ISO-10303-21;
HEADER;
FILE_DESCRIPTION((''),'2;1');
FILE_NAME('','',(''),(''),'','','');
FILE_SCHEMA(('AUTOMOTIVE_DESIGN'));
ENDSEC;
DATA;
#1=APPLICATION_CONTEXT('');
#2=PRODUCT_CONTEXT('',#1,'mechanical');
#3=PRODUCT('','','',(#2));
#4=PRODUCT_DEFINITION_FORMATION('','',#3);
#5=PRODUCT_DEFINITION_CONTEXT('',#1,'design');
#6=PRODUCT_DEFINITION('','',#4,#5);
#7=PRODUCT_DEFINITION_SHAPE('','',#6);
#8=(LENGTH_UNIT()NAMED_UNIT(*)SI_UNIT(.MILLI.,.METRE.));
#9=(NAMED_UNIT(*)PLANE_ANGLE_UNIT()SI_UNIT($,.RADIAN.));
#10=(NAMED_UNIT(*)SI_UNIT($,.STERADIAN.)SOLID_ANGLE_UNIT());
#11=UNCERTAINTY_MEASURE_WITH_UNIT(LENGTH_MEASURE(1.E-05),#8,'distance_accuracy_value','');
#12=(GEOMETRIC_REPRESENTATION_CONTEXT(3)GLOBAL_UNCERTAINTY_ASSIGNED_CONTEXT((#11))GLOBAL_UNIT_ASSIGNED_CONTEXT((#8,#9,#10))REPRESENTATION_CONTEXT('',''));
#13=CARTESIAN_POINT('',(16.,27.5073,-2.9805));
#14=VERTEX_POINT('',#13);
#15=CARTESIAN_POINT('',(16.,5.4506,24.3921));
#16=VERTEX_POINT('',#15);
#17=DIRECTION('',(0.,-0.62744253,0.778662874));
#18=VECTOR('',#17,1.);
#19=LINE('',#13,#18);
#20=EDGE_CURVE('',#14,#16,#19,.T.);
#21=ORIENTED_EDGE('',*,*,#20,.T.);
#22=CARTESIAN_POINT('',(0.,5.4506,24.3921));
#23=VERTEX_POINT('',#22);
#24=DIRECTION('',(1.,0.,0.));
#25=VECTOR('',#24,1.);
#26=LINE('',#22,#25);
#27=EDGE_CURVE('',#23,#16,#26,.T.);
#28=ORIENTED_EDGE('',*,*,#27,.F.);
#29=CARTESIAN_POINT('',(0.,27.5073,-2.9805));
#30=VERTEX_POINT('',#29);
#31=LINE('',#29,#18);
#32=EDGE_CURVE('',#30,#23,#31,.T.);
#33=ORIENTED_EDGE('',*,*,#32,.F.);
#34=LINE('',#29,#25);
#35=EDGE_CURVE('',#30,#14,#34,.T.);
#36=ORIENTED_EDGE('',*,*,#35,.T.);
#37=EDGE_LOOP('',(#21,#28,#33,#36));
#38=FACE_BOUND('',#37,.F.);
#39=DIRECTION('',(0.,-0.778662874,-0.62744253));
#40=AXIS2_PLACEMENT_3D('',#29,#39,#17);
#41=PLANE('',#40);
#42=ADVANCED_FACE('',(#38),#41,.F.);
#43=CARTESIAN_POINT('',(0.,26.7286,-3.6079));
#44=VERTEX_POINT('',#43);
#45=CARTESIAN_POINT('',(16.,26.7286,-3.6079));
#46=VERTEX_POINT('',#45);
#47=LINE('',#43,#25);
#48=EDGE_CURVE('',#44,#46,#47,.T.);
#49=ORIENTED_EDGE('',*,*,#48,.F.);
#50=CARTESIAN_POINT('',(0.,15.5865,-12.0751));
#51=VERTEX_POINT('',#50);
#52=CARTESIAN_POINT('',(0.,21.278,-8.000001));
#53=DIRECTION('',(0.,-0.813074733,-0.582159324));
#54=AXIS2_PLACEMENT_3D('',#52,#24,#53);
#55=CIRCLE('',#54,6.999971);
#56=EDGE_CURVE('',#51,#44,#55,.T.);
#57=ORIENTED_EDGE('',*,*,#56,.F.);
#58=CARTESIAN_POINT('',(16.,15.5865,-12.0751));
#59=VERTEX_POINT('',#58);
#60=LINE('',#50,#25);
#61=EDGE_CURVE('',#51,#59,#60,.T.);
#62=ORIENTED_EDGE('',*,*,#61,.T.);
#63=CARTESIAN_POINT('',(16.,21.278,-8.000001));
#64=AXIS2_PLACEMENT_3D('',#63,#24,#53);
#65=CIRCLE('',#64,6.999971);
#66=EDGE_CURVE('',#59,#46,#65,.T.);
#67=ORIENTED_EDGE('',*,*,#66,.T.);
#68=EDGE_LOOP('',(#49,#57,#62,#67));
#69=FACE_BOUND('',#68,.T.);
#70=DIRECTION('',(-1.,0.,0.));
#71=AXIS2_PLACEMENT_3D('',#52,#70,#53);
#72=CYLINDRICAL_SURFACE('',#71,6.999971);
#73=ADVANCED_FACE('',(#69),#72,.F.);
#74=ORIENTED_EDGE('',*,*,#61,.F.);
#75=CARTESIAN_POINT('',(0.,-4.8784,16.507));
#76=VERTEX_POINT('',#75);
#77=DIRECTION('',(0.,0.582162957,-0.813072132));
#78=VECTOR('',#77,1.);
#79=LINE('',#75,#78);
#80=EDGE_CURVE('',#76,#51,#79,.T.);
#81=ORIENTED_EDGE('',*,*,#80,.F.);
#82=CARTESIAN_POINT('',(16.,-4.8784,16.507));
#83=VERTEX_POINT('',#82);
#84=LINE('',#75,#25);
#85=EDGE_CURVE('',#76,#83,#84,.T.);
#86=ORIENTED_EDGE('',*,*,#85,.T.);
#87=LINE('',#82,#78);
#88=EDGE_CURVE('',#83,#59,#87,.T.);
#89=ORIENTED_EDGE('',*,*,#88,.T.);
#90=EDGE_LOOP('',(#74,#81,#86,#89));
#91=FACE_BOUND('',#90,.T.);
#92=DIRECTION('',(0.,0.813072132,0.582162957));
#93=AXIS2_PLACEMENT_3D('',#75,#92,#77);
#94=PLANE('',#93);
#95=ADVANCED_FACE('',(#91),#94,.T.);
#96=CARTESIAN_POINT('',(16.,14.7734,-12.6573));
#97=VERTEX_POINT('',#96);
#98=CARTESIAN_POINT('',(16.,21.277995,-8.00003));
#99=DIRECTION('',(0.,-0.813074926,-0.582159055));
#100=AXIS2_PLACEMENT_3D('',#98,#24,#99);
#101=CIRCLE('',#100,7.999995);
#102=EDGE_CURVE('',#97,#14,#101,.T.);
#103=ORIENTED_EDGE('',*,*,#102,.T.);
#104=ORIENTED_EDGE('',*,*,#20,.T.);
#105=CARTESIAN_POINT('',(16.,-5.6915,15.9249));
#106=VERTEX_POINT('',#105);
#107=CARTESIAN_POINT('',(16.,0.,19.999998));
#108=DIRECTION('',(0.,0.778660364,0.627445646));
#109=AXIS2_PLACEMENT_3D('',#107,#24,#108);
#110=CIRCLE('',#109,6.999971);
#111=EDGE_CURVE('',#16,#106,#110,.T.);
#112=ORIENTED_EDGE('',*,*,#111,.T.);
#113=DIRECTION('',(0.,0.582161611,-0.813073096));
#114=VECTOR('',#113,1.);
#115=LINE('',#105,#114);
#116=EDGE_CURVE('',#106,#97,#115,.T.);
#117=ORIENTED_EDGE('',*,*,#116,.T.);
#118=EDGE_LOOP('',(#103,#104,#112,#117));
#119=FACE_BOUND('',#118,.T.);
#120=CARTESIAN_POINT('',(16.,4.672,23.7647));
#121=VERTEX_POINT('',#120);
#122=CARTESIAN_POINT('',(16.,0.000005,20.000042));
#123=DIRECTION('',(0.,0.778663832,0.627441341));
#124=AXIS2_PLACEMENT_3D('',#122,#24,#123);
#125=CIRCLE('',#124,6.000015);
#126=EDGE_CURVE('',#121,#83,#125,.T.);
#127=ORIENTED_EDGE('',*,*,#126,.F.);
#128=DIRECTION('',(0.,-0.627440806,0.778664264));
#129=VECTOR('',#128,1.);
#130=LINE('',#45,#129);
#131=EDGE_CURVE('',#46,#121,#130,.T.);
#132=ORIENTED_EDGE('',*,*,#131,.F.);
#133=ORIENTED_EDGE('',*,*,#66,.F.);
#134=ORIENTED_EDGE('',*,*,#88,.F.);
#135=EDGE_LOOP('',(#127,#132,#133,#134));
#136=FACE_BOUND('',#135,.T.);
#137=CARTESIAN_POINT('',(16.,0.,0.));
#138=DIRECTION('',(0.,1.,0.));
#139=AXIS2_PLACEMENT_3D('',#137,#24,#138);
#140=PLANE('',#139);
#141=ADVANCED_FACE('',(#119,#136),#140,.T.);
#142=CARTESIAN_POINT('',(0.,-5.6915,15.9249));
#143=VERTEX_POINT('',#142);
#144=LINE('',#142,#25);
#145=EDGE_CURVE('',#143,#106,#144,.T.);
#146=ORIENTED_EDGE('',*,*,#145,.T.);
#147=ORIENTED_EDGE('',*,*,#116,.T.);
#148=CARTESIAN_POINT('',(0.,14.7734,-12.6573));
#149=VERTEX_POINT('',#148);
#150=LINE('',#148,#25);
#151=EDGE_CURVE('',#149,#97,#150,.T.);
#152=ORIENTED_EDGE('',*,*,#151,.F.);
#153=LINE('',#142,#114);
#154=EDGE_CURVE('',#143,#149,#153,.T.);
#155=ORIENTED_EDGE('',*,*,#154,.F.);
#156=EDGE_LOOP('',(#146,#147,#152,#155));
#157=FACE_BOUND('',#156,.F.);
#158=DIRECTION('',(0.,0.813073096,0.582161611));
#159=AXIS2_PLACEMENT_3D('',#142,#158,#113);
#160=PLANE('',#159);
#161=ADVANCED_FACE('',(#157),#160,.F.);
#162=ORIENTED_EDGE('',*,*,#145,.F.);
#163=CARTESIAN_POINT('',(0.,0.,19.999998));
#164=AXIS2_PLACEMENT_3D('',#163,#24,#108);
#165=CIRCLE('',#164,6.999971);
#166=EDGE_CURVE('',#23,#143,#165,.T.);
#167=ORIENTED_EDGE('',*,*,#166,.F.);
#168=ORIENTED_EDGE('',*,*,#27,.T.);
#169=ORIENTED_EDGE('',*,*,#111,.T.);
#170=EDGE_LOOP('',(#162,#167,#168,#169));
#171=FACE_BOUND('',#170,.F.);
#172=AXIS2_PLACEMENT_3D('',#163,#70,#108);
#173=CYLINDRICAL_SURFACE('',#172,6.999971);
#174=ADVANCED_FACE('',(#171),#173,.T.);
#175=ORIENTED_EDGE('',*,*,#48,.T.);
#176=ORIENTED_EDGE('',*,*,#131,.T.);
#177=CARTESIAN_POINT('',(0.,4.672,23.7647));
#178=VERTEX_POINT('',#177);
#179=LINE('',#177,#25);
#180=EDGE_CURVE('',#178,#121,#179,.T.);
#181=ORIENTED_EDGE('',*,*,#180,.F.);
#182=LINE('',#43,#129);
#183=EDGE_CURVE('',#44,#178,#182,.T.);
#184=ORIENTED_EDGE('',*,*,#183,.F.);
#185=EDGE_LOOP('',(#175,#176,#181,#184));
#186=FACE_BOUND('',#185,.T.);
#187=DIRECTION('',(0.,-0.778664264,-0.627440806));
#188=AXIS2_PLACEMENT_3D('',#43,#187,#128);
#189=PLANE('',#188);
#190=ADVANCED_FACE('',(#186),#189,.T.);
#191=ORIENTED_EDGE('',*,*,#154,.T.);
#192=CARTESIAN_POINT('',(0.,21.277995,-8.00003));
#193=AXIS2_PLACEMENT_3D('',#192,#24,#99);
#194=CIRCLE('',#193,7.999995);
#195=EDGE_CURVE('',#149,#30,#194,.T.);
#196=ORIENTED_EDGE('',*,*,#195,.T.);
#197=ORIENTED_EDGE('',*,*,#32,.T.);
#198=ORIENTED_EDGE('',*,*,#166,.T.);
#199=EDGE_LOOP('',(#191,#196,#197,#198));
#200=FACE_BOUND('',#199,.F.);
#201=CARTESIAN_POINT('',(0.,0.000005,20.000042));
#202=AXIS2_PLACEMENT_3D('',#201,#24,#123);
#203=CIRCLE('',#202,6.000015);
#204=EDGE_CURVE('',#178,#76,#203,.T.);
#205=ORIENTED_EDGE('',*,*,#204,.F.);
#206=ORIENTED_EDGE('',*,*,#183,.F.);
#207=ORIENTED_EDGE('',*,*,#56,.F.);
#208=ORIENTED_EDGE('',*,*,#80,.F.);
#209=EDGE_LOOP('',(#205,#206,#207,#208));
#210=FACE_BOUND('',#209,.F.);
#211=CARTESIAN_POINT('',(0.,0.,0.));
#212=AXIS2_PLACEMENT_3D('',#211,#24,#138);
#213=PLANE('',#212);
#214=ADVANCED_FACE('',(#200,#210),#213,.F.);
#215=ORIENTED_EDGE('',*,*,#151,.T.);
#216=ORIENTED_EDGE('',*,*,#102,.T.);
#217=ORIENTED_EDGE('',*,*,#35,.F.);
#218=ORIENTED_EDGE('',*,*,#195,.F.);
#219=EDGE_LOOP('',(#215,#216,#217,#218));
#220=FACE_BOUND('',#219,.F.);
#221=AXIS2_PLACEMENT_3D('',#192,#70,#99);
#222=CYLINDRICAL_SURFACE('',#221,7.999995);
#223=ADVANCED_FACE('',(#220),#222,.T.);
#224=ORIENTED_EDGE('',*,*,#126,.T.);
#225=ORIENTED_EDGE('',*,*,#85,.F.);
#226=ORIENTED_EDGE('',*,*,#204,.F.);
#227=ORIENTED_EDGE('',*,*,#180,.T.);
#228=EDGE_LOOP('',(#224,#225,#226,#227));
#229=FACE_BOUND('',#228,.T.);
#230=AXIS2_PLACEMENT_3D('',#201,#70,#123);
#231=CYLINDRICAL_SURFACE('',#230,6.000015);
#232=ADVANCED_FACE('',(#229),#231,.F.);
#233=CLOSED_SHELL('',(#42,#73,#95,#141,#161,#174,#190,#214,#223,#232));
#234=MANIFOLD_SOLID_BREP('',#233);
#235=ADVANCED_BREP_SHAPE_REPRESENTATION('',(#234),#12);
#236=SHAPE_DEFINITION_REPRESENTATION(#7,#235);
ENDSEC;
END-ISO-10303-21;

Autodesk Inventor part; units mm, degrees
ref_plane "YZ Plane" through (0, 0, 0) normal (1, 0, 0) x (0, 1, 0)
ref_plane "XZ Plane" through (0, 0, 0) normal (0, 1, 0) x (-1, 0, 0)
ref_plane "XY Plane" through (0, 0, 0) normal (0, 0, 1) x (1, 0, 0)
sketch "Boceto1" plane through (0, 0, 0) normal (1, 0, 0) x (0, 1, 0)
  arc A0 (4.672, 23.7647) -> (-4.8784, 16.507) centre (0, 20) ccw
  arc A1 (15.5865, -12.0751) -> (26.7286, -3.6079) centre (21.278, -8) ccw
  line L0 (26.7286, -3.6079) -> (4.672, 23.7647)
  line L1 (-4.8784, 16.507) -> (15.5865, -12.0751)
  arc A2 (14.7734, -12.6573) -> (27.5073, -2.9805) centre (21.278, -8) ccw
  arc A3 (5.4506, 24.3921) -> (-5.6915, 15.9249) centre (0, 20) ccw
  line L2 (27.5073, -2.9805) -> (5.4506, 24.3921)
  line L3 (-5.6915, 15.9249) -> (14.7734, -12.6573)
  point P0 (0, 0)
  dimension "d2" = 6
  dimension "d3" = 7
  dimension "d4" = 8
  dimension "d5" = 20
  dimension "d6" = 3.259
  dimension "d7" = 16
  dimension "d8" = 14
extrude "Extrusión1" add sketch "Boceto1" along normal blind 16
properties part number "banda"
